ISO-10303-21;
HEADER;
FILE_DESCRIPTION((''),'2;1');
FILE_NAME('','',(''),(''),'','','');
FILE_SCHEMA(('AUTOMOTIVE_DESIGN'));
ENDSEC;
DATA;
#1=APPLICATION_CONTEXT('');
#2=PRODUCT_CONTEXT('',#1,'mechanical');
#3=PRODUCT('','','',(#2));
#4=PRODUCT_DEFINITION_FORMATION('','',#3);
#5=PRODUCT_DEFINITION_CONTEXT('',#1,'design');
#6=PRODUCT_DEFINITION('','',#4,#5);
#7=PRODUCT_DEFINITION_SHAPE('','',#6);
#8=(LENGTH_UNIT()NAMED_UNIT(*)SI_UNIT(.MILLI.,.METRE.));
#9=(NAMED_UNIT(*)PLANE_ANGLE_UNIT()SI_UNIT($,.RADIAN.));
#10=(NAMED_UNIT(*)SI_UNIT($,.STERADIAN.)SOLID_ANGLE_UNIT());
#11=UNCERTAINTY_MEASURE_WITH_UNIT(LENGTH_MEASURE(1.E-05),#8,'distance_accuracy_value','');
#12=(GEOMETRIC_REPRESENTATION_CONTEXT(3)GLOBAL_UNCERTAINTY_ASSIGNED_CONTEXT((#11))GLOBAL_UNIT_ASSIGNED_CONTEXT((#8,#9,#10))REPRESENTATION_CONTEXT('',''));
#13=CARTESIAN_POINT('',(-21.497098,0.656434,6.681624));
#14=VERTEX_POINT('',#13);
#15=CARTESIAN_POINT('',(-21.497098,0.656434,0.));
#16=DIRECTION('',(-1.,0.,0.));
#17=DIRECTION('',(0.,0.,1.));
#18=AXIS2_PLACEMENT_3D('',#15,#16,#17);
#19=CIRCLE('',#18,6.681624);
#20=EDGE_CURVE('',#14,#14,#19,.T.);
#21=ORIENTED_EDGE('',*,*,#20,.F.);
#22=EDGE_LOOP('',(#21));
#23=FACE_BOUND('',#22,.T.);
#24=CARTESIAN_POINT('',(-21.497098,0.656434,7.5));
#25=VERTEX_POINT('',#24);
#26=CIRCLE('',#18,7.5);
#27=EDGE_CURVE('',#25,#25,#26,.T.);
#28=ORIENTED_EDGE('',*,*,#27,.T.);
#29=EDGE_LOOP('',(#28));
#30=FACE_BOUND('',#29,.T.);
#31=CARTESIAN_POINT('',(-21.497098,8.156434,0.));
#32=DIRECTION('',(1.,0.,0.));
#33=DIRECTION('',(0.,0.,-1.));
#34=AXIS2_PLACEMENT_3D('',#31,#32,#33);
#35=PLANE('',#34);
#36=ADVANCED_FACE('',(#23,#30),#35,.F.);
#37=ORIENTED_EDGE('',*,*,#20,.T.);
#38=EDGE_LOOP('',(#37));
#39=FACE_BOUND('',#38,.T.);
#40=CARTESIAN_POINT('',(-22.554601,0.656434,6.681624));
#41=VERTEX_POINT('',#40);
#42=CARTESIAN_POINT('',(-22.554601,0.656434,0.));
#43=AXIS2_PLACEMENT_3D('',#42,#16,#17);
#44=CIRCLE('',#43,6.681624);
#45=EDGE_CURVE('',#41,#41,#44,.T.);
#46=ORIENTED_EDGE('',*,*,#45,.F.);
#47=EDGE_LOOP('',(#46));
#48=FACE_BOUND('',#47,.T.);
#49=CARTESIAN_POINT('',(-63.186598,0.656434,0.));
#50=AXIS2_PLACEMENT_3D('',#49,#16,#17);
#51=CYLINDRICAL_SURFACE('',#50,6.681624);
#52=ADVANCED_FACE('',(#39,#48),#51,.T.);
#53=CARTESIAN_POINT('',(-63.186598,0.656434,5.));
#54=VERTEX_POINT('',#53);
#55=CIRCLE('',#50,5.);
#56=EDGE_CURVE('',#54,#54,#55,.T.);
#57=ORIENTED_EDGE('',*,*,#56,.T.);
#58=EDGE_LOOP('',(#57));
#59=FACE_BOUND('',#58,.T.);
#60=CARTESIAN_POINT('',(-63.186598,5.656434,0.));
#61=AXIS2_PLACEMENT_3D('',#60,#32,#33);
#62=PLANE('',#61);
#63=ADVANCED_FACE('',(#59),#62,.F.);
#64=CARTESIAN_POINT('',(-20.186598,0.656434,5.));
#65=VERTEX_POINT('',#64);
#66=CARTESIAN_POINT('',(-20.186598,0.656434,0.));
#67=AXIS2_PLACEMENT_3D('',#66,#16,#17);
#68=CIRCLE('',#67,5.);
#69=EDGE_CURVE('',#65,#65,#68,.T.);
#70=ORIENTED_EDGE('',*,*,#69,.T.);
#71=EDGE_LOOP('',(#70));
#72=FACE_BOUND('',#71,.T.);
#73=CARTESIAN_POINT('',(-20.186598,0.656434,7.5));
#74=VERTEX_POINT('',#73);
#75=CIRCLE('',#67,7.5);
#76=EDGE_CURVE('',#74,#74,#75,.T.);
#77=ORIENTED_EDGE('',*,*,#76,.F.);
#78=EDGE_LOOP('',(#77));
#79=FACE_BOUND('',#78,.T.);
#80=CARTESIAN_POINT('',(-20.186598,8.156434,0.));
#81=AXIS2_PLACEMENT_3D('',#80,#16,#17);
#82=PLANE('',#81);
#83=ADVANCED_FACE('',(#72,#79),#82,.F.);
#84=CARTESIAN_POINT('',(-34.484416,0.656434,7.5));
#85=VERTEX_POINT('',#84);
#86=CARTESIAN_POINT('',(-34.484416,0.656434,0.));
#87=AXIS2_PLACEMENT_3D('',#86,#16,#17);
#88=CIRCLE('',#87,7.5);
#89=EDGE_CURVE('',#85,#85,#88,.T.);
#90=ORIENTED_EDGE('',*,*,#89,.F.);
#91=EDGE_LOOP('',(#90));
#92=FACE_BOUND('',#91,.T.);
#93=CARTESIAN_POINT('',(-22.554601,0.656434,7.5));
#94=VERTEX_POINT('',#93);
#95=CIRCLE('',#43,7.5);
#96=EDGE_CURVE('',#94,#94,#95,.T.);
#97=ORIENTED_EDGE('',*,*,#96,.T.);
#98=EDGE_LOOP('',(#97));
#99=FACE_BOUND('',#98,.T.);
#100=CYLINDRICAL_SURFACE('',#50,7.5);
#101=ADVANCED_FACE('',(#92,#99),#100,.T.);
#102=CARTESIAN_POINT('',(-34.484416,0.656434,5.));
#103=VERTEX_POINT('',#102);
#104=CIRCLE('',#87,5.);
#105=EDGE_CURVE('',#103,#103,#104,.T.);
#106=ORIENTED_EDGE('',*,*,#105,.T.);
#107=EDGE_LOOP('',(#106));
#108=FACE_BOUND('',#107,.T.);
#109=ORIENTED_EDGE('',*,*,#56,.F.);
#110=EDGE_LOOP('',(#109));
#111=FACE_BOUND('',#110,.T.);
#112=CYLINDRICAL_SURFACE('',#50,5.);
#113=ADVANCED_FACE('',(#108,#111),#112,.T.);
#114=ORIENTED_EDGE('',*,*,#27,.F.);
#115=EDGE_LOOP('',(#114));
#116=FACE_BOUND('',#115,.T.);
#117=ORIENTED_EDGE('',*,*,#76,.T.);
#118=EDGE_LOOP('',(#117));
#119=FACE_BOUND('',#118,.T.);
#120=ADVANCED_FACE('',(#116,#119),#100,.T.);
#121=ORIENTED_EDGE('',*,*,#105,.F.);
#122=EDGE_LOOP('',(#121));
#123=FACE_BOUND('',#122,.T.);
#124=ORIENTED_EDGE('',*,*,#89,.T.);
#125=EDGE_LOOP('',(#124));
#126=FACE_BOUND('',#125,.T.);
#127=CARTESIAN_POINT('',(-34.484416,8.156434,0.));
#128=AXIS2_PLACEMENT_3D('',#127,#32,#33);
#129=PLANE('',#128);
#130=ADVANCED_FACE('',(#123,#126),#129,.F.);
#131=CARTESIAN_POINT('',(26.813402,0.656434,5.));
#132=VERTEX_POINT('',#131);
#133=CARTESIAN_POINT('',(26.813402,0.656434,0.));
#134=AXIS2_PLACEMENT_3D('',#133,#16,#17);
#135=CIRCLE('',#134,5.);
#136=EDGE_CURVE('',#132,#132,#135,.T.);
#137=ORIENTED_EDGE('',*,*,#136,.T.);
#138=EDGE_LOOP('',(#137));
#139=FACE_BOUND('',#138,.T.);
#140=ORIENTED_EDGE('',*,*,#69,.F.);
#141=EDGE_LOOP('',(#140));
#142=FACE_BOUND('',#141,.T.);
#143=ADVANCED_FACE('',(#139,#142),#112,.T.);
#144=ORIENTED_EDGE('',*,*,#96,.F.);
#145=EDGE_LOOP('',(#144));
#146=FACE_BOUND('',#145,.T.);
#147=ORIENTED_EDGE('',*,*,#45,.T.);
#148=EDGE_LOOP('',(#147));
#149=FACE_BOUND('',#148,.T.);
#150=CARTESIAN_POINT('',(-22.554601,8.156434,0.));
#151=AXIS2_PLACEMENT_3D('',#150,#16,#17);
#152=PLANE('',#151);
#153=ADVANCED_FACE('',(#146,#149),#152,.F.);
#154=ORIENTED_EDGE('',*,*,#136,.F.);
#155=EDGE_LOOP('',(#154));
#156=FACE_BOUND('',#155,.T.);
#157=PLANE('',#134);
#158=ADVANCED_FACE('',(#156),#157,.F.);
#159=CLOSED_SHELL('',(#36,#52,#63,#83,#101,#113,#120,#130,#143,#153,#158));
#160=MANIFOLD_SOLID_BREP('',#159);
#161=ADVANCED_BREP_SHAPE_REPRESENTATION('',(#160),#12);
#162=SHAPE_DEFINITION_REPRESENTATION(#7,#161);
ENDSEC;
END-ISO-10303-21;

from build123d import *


with BuildPart() as part:
    # Sketch1 → Revolve1 (revolve)
    with BuildSketch(Plane.XY, mode=Mode.PRIVATE) as revolve1_sk:
        Polygon((-63.186598296, 5.65643437), (-63.186598296, 0.65643437), (26.813401704, 0.65643437), (26.813401704, 5.65643437), (-20.186598296, 5.65643437), (-20.186598296, 8.15643437), (-21.497097826, 8.15643437), (-21.497097826, 7.338058616), (-22.554601282, 7.338058616), (-22.554601282, 8.15643437), (-34.484416001, 8.15643437), (-34.484416001, 5.65643437), align=None)
    revolve(revolve1_sk.sketch.rotate(Axis((-63.186598296, 0.65643437, 0), (1, 0, 0)), 90), axis=Axis((-63.186598296, 0.65643437, 0), (1, 0, 0)))


solid = part.part
